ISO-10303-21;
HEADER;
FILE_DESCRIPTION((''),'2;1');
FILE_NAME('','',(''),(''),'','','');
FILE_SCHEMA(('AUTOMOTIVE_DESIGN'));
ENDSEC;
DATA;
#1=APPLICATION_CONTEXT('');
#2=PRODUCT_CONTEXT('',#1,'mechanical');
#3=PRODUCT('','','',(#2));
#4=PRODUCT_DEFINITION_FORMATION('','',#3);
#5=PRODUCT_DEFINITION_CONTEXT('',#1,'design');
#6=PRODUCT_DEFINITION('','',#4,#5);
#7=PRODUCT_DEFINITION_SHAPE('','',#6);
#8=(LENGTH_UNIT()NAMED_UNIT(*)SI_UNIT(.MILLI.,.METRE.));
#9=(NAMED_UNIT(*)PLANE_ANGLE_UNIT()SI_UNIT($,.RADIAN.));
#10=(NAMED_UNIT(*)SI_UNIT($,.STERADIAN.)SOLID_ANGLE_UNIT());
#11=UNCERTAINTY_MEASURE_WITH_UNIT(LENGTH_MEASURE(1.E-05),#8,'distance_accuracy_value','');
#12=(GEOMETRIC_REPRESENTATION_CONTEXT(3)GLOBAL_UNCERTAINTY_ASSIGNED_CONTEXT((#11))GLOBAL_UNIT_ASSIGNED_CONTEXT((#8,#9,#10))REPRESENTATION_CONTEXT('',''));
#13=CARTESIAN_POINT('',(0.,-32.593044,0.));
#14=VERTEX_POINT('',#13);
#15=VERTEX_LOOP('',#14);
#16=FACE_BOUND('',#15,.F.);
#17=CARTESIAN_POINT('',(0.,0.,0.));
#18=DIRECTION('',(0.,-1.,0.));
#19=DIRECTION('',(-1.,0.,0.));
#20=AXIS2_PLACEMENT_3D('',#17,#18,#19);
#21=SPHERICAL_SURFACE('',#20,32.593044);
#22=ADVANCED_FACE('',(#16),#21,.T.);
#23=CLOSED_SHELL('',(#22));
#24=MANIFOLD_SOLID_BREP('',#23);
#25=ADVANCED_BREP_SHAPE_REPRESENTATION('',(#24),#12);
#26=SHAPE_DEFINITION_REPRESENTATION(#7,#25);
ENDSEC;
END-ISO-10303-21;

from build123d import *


with BuildPart() as f1:
    # F0 (on Top) → F1 (revolve)
    with BuildSketch(Plane.XY):
        with BuildLine():
            Line((0, 0), (0, 32.593044))
            ThreePointArc((0, 32.593044), (-32.593044, 0), (0, -32.593044))
            Line((0, -32.593044), (0, 0))
        make_face()
    revolve(axis=Axis((0, 27.53431, 0), (0, 1, 0)))


solid = f1.part
